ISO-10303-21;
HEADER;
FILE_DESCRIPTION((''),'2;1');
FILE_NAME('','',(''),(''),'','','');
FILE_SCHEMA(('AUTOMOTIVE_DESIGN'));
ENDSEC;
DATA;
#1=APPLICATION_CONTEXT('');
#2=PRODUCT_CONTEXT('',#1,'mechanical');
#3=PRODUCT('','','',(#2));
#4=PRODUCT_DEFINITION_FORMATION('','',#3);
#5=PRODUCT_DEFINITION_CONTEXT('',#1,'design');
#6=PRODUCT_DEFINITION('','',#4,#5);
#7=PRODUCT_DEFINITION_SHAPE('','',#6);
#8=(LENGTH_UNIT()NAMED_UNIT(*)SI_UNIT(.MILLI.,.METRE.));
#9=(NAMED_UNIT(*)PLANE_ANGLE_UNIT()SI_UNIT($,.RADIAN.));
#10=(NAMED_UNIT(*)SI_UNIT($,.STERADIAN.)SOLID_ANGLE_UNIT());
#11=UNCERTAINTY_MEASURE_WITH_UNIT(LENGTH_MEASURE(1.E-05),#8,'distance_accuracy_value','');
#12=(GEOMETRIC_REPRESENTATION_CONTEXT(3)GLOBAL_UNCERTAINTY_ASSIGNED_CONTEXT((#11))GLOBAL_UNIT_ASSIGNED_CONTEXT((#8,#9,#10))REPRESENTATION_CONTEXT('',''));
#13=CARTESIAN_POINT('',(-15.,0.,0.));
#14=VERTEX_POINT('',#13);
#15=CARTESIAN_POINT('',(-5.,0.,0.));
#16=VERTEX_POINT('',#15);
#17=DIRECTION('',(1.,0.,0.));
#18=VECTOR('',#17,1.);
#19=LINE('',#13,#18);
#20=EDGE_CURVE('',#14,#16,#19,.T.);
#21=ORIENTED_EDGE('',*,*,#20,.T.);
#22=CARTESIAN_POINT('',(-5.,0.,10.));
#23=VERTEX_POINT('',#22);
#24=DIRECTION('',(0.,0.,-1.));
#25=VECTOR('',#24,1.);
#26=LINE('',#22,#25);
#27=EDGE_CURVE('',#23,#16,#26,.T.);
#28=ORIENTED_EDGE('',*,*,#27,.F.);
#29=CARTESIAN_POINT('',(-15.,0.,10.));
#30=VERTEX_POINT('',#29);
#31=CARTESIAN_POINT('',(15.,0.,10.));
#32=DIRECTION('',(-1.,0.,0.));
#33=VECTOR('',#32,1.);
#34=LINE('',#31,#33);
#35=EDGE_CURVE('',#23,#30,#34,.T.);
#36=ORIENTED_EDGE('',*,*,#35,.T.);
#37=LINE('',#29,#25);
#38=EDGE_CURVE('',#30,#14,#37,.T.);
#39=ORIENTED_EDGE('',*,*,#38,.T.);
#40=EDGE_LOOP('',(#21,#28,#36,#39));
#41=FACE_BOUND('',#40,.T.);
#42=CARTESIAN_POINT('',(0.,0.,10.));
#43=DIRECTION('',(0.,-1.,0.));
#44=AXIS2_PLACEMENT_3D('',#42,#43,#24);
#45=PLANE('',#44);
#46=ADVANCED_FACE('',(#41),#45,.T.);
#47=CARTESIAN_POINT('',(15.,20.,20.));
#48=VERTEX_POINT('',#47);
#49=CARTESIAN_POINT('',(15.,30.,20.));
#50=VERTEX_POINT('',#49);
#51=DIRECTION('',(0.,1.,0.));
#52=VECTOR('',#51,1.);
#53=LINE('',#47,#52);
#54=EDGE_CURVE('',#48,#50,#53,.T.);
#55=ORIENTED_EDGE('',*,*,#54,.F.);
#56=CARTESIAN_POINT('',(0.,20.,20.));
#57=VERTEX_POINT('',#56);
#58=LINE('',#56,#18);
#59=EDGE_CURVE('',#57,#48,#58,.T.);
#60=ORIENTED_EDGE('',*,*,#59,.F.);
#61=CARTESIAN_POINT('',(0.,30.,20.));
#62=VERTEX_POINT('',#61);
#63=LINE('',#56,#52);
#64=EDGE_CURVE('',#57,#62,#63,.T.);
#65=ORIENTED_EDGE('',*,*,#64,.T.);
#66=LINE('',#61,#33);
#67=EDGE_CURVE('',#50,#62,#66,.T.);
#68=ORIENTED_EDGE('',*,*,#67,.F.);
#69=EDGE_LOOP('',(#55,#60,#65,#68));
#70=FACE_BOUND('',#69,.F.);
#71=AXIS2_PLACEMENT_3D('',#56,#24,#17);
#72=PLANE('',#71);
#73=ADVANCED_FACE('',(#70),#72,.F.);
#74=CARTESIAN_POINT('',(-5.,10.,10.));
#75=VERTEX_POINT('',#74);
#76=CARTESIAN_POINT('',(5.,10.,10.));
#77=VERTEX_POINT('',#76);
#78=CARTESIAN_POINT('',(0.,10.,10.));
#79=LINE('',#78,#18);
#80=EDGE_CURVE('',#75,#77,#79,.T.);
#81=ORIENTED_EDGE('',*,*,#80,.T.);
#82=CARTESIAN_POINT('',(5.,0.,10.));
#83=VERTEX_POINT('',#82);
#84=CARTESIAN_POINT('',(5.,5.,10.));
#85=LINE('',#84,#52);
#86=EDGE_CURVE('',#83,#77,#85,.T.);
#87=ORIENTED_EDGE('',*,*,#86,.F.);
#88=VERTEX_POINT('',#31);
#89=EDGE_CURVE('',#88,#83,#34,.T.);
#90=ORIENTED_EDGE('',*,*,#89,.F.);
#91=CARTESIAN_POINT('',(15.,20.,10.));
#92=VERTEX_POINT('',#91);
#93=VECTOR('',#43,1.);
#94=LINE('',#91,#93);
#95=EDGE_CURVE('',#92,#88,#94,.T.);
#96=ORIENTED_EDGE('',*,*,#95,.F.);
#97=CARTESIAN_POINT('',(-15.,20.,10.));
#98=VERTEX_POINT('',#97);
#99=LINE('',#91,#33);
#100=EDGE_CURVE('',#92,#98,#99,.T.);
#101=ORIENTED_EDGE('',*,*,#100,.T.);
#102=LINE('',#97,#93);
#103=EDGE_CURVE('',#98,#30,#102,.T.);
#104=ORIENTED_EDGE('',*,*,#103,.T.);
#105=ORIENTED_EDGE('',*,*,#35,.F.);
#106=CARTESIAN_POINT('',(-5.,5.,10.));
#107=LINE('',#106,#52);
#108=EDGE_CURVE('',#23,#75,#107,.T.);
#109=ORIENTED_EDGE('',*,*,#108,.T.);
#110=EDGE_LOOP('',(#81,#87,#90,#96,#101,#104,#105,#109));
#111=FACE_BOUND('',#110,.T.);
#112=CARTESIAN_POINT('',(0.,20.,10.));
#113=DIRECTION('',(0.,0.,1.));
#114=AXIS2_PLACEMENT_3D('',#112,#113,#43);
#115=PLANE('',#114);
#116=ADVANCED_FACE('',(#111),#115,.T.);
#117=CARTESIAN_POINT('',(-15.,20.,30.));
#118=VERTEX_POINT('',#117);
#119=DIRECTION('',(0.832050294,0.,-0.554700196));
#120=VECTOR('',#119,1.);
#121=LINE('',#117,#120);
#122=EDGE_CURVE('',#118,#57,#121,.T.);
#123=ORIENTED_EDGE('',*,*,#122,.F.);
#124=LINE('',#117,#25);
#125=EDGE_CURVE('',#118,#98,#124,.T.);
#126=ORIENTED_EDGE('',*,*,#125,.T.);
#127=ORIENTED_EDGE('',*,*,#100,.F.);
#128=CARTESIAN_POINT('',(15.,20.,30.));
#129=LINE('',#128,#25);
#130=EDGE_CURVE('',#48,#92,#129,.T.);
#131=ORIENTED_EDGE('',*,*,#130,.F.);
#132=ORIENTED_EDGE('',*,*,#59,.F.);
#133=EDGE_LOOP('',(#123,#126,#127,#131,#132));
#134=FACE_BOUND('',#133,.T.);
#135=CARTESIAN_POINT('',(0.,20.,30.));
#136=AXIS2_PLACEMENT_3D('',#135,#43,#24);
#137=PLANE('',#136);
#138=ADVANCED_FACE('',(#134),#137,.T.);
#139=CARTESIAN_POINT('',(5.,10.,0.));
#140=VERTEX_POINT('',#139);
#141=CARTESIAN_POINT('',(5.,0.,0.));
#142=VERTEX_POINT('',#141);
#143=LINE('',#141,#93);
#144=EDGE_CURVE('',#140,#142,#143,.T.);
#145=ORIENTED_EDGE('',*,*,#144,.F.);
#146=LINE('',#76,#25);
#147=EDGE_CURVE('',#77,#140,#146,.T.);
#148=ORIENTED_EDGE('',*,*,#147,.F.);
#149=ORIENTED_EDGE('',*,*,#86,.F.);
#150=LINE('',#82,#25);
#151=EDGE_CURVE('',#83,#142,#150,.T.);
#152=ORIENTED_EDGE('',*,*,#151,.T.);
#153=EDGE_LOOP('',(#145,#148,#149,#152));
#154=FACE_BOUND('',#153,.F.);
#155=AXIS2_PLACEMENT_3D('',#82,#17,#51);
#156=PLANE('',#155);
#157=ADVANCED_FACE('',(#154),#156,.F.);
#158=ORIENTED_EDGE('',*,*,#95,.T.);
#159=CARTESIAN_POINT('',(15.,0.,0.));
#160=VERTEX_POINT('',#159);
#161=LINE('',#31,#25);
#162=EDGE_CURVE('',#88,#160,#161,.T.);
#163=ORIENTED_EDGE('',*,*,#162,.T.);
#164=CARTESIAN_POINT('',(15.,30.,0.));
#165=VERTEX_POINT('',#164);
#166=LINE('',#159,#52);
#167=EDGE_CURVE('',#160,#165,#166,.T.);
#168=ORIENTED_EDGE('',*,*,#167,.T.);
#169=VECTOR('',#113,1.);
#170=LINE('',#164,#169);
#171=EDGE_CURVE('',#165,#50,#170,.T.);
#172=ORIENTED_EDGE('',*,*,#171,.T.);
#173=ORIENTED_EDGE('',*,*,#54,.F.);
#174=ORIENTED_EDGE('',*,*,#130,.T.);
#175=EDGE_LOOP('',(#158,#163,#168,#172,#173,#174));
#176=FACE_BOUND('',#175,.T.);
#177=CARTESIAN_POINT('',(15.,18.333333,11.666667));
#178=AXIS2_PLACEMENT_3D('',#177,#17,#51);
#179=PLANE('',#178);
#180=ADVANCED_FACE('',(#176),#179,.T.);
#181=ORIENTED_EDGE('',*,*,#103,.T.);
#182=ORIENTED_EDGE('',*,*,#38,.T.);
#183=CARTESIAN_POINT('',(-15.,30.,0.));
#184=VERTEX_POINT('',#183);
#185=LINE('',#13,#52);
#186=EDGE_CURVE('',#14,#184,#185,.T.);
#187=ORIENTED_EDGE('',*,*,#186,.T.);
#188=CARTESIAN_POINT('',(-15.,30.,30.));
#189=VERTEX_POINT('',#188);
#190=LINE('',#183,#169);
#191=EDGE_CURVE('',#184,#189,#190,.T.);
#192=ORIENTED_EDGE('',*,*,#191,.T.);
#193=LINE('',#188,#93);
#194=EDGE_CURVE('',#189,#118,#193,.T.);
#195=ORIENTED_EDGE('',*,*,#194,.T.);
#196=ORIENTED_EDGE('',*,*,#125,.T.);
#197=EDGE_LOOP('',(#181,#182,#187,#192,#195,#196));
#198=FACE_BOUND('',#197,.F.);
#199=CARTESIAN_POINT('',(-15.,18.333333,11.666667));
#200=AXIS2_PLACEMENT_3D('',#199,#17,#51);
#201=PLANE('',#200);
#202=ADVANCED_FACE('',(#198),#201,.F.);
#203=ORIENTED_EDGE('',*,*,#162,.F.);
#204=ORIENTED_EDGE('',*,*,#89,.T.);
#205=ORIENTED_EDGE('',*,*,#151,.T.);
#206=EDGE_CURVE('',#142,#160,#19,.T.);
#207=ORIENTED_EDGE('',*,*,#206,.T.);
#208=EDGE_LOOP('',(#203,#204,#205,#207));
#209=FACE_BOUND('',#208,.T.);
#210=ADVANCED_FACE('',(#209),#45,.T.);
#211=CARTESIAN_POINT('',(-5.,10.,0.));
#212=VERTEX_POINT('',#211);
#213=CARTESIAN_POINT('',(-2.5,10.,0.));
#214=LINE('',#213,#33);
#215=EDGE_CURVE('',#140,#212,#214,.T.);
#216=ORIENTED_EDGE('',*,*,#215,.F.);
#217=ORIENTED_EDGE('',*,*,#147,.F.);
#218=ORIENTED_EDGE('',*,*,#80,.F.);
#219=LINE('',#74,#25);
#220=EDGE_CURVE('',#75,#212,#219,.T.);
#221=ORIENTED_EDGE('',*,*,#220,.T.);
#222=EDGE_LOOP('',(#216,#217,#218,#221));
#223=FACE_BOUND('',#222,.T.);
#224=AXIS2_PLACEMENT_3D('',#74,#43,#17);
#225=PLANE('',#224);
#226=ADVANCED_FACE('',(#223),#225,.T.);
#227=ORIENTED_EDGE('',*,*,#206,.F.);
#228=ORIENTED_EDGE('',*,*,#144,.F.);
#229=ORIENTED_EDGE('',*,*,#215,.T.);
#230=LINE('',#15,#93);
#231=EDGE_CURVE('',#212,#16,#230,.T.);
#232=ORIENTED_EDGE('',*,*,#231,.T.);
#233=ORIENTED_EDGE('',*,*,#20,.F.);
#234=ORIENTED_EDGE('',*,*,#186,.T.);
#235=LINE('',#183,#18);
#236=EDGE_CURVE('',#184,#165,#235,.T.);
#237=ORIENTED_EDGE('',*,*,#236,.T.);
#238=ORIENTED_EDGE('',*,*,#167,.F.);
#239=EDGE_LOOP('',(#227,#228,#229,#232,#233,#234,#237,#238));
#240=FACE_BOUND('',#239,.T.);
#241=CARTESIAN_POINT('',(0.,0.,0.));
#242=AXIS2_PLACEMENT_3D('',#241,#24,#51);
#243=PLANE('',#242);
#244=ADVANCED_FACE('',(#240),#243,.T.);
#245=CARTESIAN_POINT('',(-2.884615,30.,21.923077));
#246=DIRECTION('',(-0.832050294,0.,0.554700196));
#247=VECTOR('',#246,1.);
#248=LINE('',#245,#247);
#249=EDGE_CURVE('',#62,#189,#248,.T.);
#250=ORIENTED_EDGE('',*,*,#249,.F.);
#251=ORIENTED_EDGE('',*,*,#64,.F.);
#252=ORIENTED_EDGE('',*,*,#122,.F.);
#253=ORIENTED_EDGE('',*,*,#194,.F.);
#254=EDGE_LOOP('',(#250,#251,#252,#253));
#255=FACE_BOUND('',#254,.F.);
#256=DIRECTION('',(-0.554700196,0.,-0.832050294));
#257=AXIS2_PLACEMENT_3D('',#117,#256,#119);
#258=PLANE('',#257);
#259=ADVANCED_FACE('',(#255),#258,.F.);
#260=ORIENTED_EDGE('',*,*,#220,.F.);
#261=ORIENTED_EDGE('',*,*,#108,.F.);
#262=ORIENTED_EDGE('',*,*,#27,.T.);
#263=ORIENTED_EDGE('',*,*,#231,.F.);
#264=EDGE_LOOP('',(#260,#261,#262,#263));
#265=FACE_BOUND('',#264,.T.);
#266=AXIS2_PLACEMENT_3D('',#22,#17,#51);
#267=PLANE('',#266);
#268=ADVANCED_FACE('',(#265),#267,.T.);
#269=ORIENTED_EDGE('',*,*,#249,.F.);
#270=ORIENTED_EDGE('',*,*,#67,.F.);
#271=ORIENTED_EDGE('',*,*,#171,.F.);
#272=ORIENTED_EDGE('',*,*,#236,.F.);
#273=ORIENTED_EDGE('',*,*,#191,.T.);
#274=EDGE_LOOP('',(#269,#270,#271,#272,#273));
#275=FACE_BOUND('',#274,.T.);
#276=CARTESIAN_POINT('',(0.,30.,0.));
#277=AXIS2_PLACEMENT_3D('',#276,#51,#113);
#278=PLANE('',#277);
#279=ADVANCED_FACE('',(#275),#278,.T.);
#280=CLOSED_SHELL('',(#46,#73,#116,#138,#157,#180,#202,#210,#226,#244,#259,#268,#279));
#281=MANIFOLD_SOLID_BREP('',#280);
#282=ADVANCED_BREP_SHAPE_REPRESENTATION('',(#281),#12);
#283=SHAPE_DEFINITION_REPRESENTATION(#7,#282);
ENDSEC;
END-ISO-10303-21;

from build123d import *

# Parameters (mm, degrees)
F1_DEPTH = 15
F4_DEPTH = 10.001
F3_W     = 10
F3_H     = 10
F5_DEPTH = 10.001


with BuildPart() as f1:
    # F0 (on Right) → F1 (new body, symmetric)
    with BuildSketch(Plane.YZ):
        Polygon((0, 10), (0, 0), (30, 0), (30, 30), (20, 30), (20, 10), align=None)
    extrude(amount=F1_DEPTH, both=True)

    # F2 (on face) → F4 (cut, through all)
    with BuildSketch(Plane.XZ.offset(-20)):
        Polygon((15, 30), (-15, 30), (0, 20), (15, 20), align=None)
    extrude(amount=-F4_DEPTH, mode=Mode.SUBTRACT)

    # F3 (on face) → F5 (cut, through all)
    with BuildSketch(Plane.XY.offset(10)):
        with Locations((0, 5)):
            Rectangle(F3_W, F3_H)
    extrude(amount=-F5_DEPTH, mode=Mode.SUBTRACT)


solid = f1.part
